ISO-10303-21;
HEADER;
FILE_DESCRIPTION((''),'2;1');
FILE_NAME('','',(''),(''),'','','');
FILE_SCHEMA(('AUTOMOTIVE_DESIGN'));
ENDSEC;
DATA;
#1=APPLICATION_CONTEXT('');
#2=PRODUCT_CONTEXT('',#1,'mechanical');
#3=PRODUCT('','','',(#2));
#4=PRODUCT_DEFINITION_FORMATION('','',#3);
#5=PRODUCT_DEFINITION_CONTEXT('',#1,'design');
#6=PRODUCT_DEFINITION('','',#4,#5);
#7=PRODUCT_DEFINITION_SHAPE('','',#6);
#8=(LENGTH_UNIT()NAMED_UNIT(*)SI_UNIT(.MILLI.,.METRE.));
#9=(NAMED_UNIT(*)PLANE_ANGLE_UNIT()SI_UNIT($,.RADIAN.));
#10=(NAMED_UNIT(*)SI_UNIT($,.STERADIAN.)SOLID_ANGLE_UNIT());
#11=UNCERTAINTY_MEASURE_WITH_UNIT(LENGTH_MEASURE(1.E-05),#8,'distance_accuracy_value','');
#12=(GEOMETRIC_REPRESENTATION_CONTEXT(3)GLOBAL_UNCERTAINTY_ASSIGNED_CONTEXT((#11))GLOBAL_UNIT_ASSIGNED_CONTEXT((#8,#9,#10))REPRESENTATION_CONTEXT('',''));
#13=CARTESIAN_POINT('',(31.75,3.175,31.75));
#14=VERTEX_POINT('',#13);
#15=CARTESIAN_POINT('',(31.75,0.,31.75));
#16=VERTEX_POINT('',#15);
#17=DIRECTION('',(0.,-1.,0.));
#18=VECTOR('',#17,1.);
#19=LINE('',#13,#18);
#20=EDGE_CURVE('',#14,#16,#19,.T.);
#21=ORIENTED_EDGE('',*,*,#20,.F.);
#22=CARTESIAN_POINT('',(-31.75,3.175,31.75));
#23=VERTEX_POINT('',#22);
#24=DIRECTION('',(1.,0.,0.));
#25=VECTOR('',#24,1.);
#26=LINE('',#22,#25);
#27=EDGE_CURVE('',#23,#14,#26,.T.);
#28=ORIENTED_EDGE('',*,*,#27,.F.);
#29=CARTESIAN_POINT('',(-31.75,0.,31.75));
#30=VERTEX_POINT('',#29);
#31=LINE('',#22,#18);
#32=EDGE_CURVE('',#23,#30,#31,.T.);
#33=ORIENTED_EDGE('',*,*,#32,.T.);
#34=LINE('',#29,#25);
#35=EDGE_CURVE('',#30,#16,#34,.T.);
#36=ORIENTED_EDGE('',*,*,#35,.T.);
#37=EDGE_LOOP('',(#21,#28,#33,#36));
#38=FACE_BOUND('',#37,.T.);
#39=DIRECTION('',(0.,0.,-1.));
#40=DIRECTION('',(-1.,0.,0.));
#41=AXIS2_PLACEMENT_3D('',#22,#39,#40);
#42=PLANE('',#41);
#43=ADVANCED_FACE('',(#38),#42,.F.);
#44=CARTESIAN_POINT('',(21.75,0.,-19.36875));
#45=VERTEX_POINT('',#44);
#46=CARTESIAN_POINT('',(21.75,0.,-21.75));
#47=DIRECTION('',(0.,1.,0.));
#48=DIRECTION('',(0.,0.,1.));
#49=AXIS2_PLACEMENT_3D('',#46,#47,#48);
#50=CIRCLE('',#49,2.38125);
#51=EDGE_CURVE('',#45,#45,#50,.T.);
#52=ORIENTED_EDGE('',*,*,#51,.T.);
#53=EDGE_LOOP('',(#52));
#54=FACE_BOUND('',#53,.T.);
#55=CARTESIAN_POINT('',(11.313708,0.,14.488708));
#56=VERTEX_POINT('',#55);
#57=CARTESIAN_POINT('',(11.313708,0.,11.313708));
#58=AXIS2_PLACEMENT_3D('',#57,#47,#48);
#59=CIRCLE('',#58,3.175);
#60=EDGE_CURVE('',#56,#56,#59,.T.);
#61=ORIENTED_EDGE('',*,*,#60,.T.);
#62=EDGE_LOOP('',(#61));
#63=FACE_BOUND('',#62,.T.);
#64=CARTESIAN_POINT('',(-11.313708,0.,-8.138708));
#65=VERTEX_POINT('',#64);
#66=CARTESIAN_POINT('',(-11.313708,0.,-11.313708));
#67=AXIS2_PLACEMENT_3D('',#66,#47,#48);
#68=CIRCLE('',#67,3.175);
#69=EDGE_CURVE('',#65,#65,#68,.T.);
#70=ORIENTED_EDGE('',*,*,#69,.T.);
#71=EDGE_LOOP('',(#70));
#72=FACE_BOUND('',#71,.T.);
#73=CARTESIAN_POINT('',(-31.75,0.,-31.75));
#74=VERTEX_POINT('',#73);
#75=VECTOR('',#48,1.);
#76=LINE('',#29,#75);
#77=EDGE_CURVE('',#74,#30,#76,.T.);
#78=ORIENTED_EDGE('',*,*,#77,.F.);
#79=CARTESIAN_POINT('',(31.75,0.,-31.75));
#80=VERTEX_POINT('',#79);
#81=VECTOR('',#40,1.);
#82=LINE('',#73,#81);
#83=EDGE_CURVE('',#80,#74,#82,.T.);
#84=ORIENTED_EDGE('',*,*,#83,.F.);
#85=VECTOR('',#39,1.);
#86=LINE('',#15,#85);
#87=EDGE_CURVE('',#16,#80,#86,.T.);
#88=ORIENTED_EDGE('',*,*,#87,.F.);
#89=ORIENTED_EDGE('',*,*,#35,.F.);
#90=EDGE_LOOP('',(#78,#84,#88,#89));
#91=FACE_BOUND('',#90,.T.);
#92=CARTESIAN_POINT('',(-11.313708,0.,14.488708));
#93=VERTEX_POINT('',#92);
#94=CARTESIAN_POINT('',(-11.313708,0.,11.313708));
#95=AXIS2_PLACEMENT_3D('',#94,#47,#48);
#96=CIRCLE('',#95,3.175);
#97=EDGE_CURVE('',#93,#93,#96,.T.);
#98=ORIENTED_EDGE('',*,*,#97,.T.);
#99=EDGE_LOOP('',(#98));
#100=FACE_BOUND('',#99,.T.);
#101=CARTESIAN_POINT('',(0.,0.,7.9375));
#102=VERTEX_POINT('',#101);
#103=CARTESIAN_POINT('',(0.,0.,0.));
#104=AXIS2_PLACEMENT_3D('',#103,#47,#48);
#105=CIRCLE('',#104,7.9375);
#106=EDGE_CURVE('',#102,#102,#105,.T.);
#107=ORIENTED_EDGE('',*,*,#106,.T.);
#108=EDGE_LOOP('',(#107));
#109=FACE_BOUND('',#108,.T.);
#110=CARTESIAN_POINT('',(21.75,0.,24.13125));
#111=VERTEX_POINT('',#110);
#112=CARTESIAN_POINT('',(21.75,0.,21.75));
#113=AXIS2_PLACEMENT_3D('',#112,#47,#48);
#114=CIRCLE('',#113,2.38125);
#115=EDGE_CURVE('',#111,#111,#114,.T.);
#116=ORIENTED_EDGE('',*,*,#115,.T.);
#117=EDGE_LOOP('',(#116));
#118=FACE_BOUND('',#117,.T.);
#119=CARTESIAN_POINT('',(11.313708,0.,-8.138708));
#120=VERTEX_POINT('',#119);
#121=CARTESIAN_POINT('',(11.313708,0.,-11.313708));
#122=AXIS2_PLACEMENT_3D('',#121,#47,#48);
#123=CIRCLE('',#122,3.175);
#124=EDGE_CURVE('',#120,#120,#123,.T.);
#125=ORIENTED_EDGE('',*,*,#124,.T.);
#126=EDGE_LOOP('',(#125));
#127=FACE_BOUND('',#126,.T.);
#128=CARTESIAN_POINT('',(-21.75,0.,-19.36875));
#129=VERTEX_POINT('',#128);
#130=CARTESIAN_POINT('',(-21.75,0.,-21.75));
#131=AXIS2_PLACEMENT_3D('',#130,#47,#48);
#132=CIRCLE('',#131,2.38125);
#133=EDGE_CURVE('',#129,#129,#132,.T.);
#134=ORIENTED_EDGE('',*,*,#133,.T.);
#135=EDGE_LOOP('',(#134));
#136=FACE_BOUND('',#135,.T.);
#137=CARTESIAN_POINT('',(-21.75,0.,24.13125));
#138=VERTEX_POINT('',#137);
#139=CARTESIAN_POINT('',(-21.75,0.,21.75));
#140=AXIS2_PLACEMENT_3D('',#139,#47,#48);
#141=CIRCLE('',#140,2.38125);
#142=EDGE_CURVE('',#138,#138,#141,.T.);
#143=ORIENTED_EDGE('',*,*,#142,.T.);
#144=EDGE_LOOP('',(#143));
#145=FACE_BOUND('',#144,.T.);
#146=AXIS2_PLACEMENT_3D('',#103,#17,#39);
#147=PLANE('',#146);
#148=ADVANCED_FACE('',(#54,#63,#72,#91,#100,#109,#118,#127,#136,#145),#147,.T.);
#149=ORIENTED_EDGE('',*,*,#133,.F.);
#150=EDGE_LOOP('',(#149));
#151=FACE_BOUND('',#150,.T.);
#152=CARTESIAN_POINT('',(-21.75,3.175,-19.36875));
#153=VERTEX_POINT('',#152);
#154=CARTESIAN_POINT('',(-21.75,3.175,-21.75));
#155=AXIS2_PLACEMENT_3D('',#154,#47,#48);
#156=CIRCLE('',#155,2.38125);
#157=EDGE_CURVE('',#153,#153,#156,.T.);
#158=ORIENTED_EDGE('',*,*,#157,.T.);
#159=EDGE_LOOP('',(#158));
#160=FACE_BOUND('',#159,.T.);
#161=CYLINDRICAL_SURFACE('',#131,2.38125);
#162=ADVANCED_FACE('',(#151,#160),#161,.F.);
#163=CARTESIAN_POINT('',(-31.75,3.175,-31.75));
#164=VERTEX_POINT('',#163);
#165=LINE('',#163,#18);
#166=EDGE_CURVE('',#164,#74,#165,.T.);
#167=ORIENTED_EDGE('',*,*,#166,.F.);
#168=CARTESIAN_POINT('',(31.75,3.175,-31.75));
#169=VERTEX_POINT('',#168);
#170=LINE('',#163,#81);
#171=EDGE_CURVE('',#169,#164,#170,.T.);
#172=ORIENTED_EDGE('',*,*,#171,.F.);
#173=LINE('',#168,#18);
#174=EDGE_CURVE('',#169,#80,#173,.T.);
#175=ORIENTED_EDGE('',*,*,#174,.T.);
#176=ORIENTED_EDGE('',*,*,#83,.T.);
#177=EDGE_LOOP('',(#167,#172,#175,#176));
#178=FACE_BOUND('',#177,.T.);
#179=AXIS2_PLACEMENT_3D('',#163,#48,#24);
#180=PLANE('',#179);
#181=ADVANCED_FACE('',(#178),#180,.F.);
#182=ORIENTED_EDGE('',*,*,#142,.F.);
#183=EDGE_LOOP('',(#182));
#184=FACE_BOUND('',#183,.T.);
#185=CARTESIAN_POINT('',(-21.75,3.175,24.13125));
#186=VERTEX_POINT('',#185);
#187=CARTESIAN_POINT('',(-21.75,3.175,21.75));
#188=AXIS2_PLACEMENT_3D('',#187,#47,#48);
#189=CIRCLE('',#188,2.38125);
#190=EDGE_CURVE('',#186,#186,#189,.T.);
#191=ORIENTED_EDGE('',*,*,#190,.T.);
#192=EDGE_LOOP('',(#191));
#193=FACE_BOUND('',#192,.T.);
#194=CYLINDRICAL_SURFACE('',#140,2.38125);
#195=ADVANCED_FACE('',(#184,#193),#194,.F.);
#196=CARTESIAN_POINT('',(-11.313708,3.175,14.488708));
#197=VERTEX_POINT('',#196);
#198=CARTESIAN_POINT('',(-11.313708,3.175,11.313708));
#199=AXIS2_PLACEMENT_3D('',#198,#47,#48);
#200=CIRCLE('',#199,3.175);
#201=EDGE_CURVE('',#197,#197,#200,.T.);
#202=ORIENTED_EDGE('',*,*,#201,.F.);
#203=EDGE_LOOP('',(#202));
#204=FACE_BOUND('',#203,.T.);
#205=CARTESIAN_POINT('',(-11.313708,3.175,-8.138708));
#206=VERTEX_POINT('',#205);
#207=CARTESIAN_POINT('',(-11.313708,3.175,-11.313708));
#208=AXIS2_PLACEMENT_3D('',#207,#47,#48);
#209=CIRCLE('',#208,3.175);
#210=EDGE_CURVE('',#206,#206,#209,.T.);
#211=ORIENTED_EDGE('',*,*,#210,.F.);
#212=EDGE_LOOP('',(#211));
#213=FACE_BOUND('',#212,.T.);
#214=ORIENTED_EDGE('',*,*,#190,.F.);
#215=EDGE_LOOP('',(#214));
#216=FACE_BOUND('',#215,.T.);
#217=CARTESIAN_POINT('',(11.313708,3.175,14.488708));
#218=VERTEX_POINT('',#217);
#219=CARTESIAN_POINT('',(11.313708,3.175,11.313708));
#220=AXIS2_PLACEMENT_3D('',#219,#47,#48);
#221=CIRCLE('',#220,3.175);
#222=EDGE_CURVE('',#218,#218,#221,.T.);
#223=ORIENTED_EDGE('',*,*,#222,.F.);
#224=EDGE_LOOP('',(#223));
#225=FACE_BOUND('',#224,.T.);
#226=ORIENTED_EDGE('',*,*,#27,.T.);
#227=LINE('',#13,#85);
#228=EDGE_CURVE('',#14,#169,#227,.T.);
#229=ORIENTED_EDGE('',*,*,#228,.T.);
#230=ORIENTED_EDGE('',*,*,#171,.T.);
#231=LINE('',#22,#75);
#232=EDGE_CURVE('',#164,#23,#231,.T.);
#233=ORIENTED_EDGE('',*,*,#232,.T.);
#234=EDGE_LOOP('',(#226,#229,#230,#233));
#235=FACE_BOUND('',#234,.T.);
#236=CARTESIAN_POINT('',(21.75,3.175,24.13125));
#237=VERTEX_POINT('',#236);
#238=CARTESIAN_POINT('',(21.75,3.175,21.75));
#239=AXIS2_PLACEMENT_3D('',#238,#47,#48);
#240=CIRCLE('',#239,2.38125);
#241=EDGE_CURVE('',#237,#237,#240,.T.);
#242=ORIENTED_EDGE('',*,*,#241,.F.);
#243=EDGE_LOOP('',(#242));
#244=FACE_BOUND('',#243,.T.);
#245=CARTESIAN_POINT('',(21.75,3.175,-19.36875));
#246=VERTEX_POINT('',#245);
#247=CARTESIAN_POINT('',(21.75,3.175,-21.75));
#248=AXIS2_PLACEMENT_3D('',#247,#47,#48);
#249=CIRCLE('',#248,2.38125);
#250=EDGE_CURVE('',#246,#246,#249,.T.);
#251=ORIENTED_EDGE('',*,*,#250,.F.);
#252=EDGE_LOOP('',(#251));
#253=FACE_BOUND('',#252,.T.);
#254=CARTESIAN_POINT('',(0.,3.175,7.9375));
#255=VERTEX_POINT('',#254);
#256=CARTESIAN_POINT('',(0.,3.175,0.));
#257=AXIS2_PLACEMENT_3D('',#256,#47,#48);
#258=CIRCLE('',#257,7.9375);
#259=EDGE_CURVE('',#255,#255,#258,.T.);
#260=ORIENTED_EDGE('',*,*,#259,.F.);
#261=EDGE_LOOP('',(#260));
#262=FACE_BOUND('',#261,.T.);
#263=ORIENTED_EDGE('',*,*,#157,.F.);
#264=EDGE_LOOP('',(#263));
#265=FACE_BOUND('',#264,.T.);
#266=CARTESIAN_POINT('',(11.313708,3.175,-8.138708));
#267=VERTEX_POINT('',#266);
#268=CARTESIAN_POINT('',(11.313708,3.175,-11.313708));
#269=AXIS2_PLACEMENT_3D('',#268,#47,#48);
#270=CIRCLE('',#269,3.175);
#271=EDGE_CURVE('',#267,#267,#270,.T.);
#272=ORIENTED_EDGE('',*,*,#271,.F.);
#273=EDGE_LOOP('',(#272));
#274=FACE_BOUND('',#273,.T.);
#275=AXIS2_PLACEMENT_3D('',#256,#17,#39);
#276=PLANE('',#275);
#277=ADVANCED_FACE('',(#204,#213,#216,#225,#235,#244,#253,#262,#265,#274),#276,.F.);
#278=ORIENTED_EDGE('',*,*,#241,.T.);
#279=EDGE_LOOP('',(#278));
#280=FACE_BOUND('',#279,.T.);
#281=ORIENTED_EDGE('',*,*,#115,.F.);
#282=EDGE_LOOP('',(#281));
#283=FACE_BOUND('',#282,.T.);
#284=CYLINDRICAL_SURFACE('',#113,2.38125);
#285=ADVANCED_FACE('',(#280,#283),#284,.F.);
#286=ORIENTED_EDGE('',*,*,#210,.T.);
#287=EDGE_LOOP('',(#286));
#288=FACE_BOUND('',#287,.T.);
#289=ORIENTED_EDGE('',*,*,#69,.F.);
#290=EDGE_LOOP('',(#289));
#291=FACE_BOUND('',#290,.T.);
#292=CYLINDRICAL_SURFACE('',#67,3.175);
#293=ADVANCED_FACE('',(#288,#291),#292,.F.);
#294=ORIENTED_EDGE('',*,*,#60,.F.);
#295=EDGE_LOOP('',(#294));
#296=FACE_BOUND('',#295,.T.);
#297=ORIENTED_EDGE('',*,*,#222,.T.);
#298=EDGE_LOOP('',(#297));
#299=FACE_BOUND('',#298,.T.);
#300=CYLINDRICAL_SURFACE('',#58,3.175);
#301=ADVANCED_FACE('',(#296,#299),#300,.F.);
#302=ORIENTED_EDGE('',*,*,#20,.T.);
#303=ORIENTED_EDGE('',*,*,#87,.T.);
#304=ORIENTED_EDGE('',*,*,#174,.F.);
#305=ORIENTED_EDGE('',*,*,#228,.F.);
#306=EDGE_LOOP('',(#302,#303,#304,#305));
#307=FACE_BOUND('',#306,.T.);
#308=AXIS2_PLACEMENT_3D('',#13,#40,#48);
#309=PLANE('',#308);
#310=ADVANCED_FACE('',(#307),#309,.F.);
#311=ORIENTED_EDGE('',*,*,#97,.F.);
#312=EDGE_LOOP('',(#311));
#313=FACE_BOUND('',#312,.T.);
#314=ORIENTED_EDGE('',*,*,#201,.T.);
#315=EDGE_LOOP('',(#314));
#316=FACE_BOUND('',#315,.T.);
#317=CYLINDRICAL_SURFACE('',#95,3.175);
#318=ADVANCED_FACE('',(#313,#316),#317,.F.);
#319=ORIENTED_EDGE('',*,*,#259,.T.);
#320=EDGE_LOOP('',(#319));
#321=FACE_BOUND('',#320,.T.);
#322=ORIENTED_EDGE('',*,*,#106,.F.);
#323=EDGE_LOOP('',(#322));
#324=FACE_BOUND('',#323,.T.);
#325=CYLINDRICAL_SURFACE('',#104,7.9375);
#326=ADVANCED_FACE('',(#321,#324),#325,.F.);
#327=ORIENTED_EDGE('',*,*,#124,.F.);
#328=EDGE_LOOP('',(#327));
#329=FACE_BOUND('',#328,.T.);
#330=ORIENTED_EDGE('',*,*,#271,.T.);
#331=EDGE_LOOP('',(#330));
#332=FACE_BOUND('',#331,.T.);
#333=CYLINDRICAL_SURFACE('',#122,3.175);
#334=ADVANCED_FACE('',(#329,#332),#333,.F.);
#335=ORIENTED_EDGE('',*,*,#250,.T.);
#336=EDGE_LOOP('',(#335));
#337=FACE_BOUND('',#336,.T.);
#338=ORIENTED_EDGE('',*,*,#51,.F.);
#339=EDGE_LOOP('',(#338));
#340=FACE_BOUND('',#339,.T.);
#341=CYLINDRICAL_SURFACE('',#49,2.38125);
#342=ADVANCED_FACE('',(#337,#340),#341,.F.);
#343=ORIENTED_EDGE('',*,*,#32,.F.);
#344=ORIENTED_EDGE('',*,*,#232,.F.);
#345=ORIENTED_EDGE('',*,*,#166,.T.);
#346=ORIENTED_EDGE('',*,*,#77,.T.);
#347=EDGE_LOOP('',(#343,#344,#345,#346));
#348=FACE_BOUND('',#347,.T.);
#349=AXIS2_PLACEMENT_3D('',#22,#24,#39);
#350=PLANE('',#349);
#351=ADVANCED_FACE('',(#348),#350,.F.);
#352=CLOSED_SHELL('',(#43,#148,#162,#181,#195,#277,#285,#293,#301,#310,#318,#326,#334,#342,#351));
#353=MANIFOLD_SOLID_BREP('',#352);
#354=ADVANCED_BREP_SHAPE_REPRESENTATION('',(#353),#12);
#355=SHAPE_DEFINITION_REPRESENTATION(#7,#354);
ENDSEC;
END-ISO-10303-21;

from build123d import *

# Parameters (mm, degrees)
SKETCH1_W           = 63.5
SKETCH1_H           = 63.5
BOSS_EXTRUDE1_DEPTH = 3.175
SKETCH2_R           = 3.175
SKETCH2_R_2         = 7.9375
SKETCH2_R_3         = 2.38125
CUT_EXTRUDE1_DEPTH  = 4.175


with BuildPart() as part:
    # Sketch1 → Boss-Extrude1 (new body)
    with BuildSketch(Plane(origin=(0, 0, 0), x_dir=(1, 0, 0), z_dir=(0, 1, 0))):
        Rectangle(SKETCH1_W, SKETCH1_H)
    extrude(amount=BOSS_EXTRUDE1_DEPTH)

    # Sketch2 → Cut-Extrude1 (cut, through all)
    with BuildSketch(Plane(origin=(0, 3.175, 0), x_dir=(1, 0, 0), z_dir=(0, 1, 0))):
        with Locations((11.313708499, 11.313708499)):
            Circle(SKETCH2_R)
        with Locations((11.313708499, -11.313708499)):
            Circle(SKETCH2_R)
        with Locations((-11.313708499, -11.313708499)):
            Circle(SKETCH2_R)
        with Locations((-11.313708499, 11.313708499)):
            Circle(SKETCH2_R)
        Circle(SKETCH2_R_2)
        with Locations((-21.75, -21.75)):
            Circle(SKETCH2_R_3)
        with Locations((21.75, -21.75)):
            Circle(SKETCH2_R_3)
        with Locations((21.75, 21.75)):
            Circle(SKETCH2_R_3)
        with Locations((-21.75, 21.75)):
            Circle(SKETCH2_R_3)
    extrude(amount=-CUT_EXTRUDE1_DEPTH, mode=Mode.SUBTRACT)


solid = part.part
